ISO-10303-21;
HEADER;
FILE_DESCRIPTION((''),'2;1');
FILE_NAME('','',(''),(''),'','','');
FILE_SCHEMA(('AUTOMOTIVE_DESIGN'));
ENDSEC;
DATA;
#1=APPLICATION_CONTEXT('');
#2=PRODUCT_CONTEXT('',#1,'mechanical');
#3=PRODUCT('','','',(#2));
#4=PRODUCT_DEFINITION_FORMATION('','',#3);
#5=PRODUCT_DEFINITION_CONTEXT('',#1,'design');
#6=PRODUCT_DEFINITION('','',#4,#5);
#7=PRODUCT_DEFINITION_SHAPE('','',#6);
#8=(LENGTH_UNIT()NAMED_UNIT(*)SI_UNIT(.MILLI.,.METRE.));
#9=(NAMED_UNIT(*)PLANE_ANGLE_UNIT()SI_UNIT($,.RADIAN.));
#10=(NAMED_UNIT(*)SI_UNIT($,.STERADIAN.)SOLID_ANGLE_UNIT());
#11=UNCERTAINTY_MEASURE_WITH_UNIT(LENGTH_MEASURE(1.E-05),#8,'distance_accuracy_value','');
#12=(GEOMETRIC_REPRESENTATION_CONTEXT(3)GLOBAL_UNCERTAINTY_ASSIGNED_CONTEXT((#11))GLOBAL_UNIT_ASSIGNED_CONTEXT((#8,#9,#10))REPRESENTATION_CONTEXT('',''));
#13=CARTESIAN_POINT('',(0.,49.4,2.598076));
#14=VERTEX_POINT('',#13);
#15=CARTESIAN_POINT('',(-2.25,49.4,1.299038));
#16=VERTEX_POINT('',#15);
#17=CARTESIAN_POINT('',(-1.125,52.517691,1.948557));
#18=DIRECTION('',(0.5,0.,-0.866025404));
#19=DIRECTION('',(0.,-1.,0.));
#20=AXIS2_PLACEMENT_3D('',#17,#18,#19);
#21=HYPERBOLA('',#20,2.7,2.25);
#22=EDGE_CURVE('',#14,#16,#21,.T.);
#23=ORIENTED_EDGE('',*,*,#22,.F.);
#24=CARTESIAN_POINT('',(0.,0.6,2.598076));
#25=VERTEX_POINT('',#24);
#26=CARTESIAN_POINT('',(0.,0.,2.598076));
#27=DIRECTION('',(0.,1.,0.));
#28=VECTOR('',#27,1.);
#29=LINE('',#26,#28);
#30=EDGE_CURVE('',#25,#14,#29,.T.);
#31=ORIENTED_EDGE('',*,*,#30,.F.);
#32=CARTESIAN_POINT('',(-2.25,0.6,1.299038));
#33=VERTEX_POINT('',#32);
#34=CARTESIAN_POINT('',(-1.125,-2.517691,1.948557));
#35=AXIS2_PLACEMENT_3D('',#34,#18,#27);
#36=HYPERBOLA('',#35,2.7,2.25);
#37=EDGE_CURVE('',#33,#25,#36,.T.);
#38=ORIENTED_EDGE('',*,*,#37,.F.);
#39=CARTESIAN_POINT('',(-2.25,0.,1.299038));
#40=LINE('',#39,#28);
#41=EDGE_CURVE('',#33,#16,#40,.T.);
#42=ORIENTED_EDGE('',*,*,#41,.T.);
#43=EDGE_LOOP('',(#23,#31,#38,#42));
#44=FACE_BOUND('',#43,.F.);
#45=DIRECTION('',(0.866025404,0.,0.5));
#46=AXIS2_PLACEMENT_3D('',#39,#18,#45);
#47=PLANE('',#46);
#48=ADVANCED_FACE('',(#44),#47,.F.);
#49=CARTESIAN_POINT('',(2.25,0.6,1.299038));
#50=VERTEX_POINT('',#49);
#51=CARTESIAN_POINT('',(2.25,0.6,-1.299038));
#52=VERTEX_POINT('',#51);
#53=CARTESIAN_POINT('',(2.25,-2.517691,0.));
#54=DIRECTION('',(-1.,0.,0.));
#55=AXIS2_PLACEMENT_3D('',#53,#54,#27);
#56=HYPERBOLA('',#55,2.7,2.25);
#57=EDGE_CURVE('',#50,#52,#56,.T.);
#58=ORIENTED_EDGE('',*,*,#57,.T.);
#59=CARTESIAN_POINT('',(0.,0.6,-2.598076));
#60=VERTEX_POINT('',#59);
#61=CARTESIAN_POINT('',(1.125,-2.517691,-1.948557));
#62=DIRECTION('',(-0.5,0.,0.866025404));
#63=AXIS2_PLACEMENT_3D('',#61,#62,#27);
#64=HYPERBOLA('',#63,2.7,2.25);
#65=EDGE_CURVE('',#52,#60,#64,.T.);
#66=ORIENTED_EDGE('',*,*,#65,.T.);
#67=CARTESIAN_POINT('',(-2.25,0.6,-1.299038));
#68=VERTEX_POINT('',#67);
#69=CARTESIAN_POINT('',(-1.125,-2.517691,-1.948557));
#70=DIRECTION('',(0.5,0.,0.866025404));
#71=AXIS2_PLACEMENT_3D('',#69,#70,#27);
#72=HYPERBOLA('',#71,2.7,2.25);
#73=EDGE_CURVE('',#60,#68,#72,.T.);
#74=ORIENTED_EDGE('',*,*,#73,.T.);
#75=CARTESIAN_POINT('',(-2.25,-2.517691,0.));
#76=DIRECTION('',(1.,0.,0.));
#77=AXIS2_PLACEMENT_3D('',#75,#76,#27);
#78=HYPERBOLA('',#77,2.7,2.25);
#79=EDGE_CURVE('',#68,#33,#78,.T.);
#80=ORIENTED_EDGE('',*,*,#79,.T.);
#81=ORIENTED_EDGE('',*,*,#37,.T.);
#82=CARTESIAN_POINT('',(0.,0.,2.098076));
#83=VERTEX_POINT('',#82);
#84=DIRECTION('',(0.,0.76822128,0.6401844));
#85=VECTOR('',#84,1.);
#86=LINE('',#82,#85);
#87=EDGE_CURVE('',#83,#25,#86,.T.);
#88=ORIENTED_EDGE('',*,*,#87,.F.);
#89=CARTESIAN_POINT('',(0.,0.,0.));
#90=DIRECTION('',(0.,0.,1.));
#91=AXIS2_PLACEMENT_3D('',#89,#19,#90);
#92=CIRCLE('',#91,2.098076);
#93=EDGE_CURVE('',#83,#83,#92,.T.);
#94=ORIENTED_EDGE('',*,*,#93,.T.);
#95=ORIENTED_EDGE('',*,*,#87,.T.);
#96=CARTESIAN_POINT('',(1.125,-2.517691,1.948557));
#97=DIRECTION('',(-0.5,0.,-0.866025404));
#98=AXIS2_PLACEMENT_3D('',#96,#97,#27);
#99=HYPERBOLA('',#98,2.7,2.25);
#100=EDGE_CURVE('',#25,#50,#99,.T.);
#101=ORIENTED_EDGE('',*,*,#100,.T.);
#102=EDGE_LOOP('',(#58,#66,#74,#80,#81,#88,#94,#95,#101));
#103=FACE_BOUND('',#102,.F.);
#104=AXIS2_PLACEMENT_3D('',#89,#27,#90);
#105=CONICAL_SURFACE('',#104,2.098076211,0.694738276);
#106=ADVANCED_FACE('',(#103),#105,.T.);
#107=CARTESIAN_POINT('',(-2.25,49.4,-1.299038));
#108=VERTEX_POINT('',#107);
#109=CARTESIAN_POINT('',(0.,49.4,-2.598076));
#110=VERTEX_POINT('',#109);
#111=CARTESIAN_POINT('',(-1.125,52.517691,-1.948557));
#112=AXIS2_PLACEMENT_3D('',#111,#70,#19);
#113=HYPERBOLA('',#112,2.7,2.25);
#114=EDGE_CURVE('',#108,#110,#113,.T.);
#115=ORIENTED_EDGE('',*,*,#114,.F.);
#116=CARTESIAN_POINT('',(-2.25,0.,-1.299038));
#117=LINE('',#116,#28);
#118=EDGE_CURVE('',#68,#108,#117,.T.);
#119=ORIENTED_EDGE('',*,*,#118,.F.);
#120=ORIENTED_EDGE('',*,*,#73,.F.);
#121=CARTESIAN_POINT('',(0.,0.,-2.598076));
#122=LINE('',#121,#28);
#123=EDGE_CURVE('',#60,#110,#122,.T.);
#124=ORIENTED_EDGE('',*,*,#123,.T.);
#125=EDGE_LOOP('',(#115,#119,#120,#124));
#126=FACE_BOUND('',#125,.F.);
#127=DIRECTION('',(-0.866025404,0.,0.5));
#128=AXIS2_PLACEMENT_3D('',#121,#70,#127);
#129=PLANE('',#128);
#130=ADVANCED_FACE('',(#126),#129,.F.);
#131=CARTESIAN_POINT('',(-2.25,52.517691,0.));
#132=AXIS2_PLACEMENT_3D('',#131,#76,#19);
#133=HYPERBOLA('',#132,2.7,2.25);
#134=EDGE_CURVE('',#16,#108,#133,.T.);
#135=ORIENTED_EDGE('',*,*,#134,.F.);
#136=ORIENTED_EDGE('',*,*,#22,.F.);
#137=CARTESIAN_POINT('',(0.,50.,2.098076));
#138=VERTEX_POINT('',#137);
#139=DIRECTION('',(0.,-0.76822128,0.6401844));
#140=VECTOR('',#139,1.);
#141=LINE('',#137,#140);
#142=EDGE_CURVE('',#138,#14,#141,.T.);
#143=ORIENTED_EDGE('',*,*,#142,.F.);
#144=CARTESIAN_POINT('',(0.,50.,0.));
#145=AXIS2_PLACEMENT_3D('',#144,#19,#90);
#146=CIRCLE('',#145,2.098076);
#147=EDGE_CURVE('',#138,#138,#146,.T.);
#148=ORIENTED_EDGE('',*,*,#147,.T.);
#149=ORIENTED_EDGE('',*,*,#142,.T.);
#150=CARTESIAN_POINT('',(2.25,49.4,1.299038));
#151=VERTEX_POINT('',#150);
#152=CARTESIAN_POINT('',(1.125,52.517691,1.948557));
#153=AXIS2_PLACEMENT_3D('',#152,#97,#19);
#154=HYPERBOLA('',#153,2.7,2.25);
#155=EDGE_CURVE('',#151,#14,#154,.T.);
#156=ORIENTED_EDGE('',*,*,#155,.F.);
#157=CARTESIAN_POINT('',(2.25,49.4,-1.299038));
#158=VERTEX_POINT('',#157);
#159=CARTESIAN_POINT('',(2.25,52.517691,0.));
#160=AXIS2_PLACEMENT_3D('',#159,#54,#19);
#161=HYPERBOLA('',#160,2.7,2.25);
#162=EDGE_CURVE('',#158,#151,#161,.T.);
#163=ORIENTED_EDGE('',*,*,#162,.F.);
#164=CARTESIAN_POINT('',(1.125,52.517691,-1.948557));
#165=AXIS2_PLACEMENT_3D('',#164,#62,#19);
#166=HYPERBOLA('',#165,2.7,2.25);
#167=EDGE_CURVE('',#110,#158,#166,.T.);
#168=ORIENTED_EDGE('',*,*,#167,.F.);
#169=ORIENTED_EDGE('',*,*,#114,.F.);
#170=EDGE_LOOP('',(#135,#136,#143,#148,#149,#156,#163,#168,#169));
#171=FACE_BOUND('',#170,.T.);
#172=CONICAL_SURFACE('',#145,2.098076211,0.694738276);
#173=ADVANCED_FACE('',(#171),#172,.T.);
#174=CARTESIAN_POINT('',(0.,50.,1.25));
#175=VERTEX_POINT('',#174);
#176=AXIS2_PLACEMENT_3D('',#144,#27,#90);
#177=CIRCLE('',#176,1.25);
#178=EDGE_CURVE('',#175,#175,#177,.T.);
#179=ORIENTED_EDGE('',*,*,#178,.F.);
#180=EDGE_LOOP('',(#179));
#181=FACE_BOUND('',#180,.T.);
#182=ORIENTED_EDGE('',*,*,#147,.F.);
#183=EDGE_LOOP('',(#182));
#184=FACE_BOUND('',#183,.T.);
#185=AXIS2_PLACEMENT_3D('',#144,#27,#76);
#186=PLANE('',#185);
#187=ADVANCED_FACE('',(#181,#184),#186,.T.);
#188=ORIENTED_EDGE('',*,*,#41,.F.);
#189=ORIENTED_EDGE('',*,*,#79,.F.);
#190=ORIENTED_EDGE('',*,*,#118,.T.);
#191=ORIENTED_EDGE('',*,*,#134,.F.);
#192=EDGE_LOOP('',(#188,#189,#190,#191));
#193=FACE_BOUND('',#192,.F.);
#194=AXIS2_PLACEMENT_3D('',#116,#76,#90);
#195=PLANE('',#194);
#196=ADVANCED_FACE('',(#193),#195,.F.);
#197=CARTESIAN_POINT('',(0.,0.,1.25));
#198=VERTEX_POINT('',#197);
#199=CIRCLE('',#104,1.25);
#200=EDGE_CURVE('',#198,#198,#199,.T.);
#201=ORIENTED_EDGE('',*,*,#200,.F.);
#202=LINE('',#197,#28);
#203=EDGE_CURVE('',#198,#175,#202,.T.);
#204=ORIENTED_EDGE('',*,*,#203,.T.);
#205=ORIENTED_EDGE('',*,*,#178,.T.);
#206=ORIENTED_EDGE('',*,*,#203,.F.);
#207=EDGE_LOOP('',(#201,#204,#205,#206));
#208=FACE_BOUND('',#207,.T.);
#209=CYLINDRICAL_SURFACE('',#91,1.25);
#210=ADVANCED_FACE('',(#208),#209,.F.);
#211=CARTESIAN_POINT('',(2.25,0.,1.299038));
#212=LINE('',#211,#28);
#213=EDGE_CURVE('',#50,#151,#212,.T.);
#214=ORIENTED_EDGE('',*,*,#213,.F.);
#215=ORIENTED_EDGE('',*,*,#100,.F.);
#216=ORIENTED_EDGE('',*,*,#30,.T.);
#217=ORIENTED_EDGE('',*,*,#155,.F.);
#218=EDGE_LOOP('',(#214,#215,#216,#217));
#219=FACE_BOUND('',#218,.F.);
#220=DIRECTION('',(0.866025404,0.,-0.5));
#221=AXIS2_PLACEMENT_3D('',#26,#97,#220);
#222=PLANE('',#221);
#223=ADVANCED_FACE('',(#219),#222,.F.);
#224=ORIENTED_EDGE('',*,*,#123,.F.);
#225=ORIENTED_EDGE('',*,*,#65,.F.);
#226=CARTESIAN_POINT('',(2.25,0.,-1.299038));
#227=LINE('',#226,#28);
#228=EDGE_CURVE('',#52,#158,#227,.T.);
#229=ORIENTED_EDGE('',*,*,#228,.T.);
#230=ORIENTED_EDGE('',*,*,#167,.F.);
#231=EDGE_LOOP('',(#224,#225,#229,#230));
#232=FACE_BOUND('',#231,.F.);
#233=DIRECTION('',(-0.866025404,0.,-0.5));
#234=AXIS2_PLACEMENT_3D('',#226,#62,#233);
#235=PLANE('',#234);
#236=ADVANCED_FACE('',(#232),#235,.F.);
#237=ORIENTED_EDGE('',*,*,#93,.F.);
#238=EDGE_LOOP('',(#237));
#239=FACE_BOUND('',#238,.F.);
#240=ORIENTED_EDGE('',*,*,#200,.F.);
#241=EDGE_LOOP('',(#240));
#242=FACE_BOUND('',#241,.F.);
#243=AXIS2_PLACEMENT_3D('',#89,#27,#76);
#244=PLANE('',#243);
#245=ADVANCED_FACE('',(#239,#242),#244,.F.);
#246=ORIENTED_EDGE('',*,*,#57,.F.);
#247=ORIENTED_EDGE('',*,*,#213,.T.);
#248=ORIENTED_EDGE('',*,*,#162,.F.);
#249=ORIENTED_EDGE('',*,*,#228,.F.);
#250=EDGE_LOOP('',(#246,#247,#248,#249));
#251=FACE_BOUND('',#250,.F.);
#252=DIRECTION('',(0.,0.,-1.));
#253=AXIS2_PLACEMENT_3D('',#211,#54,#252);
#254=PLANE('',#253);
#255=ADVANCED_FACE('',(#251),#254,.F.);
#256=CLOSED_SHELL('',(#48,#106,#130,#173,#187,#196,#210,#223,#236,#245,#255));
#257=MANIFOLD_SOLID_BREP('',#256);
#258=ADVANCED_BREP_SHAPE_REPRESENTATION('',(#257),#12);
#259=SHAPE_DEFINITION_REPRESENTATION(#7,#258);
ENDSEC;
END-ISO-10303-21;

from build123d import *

# Parameters (mm, degrees)
SKETCH1_R           = 1.25
BOSS_EXTRUDE1_DEPTH = 50


with BuildPart() as part:
    # Sketch1 → Boss-Extrude1 (new body)
    with BuildSketch(Plane(origin=(0, 0, 0), x_dir=(1, 0, 0), z_dir=(0, 1, 0))):
        Polygon((0, 2.598076211), (-2.25, 1.299038106), (-2.25, -1.299038106), (0, -2.598076211), (2.25, -1.299038106), (2.25, 1.299038106), align=None)
        with Locations(Location((0, 0, 0), (0, 0, 270))):
            Circle(SKETCH1_R, mode=Mode.SUBTRACT)
    extrude(amount=BOSS_EXTRUDE1_DEPTH)

    # Sketch2 → Cut-Revolve1 (revolve, cut)
    with BuildSketch(Plane(origin=(0, 0, 0), x_dir=(0, 0, -1), z_dir=(1, 0, 0))):
        Polygon((-2.098076211, 50), (-2.598076211, 49.4), (-2.598076211, 50), align=None)
    cut_revolve1 = revolve(axis=Axis((0, 50, 0), (0, -1, 0)), mode=Mode.SUBTRACT)

    # Mirror1: Cut-Revolve1 across plane
    add(cut_revolve1.mirror(Plane.ZX.offset(25)), mode=Mode.SUBTRACT)


solid = part.part
